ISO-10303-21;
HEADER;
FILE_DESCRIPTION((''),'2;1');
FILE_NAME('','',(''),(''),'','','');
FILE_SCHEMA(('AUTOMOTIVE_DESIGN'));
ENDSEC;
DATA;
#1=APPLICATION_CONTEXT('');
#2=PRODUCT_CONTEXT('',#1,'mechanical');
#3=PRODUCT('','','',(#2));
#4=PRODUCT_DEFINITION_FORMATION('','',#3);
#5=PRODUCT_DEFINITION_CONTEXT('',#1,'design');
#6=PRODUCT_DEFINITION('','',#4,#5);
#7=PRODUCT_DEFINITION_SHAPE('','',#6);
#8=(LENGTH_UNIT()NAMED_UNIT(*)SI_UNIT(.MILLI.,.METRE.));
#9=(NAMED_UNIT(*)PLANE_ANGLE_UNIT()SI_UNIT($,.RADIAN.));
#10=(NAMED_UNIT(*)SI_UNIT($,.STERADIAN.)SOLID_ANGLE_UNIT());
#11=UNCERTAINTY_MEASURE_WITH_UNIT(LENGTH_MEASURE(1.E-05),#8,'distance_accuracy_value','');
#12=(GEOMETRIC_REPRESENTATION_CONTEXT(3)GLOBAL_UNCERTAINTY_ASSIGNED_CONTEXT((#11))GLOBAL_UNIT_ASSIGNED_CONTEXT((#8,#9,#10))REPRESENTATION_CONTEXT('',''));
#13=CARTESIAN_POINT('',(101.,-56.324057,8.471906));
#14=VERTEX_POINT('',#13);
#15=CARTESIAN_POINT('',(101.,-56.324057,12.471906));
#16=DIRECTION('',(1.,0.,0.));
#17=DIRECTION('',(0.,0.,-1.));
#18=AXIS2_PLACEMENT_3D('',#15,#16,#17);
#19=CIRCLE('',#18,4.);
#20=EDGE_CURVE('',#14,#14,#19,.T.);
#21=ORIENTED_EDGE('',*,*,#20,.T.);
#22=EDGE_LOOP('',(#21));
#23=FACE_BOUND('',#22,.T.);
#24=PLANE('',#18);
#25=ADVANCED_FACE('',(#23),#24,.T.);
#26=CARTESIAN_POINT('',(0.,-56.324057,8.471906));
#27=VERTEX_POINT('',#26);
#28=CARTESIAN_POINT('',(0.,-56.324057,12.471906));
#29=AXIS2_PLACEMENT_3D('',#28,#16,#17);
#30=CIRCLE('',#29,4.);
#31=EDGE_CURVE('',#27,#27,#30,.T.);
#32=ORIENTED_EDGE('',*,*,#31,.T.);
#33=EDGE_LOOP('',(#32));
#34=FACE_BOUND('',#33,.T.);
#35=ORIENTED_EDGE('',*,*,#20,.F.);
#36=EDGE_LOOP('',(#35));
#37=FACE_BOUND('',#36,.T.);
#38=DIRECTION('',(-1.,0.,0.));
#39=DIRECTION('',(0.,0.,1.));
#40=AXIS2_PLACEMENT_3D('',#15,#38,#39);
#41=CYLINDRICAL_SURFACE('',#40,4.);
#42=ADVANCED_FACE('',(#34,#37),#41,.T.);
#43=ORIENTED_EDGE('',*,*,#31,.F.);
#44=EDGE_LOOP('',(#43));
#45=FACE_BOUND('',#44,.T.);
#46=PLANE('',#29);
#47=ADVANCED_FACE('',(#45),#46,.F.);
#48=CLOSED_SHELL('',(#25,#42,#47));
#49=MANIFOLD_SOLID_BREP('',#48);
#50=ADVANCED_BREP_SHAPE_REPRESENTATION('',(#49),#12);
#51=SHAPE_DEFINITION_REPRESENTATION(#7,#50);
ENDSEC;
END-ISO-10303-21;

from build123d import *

# Parameters (mm, degrees)
ESQUISSE1_R        = 4
BOSS_EXTRU_1_DEPTH = 101


with BuildPart() as part:
    # Esquisse1 → Boss.-Extru.1 (new body)
    with BuildSketch(Plane(origin=(0, 0, 0), x_dir=(0, 0, -1), z_dir=(1, 0, 0))):
        with Locations((-12.47190594, -56.324056774)):
            Circle(ESQUISSE1_R)
    extrude(amount=BOSS_EXTRU_1_DEPTH)


solid = part.part
